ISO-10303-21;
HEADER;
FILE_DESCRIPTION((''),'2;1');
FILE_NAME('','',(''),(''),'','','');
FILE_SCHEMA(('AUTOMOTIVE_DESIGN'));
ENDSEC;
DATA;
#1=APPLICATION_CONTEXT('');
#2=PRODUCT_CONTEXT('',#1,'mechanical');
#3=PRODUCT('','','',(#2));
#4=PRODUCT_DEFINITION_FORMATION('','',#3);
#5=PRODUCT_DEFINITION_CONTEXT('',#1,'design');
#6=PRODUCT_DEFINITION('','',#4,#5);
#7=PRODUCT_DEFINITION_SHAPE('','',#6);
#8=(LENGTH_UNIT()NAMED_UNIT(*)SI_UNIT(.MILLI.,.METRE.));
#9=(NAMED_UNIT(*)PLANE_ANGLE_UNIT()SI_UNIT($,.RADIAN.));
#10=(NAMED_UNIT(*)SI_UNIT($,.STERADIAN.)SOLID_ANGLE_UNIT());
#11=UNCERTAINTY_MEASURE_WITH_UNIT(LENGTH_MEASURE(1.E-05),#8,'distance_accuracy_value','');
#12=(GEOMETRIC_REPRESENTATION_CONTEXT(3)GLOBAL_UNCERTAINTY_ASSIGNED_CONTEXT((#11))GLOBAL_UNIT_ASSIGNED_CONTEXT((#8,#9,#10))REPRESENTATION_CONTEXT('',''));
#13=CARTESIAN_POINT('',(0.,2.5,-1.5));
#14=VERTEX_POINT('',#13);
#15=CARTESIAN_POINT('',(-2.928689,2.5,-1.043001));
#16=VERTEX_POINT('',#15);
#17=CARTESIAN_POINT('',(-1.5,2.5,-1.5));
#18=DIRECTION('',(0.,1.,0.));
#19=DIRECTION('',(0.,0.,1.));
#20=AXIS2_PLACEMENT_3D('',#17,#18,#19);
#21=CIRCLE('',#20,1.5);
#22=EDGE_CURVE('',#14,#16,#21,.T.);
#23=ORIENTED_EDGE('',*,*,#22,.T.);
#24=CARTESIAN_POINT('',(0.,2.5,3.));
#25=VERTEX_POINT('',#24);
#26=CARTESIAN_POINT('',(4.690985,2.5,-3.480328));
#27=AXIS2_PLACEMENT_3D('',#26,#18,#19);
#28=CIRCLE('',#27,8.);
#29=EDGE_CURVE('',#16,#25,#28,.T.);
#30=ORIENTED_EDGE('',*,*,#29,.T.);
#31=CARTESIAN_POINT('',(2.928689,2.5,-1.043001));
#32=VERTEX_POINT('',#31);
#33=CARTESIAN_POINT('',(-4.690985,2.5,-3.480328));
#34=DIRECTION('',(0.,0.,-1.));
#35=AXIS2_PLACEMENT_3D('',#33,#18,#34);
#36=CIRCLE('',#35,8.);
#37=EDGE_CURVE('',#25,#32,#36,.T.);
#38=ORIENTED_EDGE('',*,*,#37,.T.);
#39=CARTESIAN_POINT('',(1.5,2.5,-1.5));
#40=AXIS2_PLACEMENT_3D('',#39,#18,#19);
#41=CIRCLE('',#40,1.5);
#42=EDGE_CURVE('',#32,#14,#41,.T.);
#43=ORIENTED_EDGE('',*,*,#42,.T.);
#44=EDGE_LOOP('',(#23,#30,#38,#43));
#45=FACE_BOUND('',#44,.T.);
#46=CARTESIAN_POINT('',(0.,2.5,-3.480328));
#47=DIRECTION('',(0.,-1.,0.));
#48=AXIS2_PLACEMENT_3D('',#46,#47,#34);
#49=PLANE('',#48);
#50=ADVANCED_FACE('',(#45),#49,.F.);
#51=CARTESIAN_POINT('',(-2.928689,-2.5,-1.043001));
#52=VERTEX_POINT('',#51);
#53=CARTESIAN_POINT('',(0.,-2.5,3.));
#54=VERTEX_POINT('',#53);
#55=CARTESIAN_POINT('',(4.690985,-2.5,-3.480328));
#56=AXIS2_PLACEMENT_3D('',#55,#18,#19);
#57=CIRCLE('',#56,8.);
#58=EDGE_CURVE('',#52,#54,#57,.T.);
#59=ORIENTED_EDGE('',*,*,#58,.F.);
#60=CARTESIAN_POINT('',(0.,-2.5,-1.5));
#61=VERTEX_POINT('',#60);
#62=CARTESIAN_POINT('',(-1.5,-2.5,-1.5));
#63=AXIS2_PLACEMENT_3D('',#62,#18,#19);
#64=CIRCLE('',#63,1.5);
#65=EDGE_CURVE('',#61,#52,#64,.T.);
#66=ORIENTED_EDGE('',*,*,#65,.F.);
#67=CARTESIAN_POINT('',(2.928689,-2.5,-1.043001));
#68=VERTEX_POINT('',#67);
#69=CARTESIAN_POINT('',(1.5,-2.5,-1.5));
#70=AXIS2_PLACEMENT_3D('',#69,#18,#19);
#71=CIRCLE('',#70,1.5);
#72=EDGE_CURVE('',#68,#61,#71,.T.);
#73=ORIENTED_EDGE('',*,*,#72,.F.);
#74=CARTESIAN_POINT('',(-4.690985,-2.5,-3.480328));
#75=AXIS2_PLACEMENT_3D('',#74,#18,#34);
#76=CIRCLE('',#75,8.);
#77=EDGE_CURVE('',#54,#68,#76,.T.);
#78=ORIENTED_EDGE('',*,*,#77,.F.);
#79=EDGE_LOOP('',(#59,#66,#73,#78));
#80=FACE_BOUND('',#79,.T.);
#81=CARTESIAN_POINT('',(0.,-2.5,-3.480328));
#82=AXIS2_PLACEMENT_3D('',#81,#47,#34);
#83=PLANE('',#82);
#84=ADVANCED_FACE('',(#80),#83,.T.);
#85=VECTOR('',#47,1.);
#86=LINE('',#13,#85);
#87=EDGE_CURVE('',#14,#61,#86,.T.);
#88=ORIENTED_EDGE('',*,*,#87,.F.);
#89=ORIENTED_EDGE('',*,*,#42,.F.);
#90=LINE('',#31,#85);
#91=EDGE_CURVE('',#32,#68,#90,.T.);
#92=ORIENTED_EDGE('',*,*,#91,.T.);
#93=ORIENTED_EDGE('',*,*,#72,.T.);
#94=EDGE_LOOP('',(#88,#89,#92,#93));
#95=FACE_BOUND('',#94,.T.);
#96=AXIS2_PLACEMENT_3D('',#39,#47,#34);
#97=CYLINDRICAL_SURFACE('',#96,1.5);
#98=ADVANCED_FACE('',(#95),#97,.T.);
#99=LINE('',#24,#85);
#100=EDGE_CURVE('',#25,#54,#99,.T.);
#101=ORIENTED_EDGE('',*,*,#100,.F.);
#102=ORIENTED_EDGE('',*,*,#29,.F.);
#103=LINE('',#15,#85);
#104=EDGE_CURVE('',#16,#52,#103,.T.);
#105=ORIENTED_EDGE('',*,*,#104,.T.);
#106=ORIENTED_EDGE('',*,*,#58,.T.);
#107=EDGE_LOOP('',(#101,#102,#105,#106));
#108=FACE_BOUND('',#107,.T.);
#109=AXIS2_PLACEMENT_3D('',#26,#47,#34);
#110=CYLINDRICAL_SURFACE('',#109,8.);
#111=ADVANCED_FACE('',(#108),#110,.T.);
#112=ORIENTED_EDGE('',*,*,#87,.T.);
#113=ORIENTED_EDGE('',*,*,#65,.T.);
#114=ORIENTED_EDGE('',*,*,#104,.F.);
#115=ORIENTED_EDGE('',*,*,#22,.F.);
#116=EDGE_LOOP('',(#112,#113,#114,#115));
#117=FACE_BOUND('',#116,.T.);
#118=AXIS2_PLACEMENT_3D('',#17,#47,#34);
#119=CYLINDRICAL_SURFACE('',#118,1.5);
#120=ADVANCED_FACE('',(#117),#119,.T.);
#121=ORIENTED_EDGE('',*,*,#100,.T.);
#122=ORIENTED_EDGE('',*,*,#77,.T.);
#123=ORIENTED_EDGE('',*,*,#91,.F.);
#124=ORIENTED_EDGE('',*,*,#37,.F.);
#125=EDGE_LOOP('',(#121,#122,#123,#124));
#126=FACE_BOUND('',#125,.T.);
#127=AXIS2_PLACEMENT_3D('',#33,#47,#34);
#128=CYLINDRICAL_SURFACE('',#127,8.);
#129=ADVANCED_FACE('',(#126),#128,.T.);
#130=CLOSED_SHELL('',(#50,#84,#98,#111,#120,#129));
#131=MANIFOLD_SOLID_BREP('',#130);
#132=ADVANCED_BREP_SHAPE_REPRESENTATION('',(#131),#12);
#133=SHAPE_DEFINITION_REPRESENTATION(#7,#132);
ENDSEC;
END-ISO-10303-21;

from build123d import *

# Parameters (mm, degrees)
BOSS_EXTRUDE1_DEPTH = 2.5


with BuildPart() as part:
    # Sketch1 → Boss-Extrude1 (new, symmetric)
    with BuildSketch(Plane(origin=(0, 0, 0), x_dir=(1, 0, 0), z_dir=(0, 1, 0))):
        with BuildLine():
            ThreePointArc((2.928688921, 1.043001129), (1.731264588, 2.982065009), (0, 1.5))
            ThreePointArc((0, 1.5), (-1.731264588, 2.982065009), (-2.928688921, 1.043001129))
            ThreePointArc((-2.928688921, 1.043001129), (-1.787791512, -1.212799592), (0, -3))
            ThreePointArc((0, -3), (1.787791512, -1.212799592), (2.928688921, 1.043001129))
        make_face()
    extrude(amount=BOSS_EXTRUDE1_DEPTH, both=True)


solid = part.part
